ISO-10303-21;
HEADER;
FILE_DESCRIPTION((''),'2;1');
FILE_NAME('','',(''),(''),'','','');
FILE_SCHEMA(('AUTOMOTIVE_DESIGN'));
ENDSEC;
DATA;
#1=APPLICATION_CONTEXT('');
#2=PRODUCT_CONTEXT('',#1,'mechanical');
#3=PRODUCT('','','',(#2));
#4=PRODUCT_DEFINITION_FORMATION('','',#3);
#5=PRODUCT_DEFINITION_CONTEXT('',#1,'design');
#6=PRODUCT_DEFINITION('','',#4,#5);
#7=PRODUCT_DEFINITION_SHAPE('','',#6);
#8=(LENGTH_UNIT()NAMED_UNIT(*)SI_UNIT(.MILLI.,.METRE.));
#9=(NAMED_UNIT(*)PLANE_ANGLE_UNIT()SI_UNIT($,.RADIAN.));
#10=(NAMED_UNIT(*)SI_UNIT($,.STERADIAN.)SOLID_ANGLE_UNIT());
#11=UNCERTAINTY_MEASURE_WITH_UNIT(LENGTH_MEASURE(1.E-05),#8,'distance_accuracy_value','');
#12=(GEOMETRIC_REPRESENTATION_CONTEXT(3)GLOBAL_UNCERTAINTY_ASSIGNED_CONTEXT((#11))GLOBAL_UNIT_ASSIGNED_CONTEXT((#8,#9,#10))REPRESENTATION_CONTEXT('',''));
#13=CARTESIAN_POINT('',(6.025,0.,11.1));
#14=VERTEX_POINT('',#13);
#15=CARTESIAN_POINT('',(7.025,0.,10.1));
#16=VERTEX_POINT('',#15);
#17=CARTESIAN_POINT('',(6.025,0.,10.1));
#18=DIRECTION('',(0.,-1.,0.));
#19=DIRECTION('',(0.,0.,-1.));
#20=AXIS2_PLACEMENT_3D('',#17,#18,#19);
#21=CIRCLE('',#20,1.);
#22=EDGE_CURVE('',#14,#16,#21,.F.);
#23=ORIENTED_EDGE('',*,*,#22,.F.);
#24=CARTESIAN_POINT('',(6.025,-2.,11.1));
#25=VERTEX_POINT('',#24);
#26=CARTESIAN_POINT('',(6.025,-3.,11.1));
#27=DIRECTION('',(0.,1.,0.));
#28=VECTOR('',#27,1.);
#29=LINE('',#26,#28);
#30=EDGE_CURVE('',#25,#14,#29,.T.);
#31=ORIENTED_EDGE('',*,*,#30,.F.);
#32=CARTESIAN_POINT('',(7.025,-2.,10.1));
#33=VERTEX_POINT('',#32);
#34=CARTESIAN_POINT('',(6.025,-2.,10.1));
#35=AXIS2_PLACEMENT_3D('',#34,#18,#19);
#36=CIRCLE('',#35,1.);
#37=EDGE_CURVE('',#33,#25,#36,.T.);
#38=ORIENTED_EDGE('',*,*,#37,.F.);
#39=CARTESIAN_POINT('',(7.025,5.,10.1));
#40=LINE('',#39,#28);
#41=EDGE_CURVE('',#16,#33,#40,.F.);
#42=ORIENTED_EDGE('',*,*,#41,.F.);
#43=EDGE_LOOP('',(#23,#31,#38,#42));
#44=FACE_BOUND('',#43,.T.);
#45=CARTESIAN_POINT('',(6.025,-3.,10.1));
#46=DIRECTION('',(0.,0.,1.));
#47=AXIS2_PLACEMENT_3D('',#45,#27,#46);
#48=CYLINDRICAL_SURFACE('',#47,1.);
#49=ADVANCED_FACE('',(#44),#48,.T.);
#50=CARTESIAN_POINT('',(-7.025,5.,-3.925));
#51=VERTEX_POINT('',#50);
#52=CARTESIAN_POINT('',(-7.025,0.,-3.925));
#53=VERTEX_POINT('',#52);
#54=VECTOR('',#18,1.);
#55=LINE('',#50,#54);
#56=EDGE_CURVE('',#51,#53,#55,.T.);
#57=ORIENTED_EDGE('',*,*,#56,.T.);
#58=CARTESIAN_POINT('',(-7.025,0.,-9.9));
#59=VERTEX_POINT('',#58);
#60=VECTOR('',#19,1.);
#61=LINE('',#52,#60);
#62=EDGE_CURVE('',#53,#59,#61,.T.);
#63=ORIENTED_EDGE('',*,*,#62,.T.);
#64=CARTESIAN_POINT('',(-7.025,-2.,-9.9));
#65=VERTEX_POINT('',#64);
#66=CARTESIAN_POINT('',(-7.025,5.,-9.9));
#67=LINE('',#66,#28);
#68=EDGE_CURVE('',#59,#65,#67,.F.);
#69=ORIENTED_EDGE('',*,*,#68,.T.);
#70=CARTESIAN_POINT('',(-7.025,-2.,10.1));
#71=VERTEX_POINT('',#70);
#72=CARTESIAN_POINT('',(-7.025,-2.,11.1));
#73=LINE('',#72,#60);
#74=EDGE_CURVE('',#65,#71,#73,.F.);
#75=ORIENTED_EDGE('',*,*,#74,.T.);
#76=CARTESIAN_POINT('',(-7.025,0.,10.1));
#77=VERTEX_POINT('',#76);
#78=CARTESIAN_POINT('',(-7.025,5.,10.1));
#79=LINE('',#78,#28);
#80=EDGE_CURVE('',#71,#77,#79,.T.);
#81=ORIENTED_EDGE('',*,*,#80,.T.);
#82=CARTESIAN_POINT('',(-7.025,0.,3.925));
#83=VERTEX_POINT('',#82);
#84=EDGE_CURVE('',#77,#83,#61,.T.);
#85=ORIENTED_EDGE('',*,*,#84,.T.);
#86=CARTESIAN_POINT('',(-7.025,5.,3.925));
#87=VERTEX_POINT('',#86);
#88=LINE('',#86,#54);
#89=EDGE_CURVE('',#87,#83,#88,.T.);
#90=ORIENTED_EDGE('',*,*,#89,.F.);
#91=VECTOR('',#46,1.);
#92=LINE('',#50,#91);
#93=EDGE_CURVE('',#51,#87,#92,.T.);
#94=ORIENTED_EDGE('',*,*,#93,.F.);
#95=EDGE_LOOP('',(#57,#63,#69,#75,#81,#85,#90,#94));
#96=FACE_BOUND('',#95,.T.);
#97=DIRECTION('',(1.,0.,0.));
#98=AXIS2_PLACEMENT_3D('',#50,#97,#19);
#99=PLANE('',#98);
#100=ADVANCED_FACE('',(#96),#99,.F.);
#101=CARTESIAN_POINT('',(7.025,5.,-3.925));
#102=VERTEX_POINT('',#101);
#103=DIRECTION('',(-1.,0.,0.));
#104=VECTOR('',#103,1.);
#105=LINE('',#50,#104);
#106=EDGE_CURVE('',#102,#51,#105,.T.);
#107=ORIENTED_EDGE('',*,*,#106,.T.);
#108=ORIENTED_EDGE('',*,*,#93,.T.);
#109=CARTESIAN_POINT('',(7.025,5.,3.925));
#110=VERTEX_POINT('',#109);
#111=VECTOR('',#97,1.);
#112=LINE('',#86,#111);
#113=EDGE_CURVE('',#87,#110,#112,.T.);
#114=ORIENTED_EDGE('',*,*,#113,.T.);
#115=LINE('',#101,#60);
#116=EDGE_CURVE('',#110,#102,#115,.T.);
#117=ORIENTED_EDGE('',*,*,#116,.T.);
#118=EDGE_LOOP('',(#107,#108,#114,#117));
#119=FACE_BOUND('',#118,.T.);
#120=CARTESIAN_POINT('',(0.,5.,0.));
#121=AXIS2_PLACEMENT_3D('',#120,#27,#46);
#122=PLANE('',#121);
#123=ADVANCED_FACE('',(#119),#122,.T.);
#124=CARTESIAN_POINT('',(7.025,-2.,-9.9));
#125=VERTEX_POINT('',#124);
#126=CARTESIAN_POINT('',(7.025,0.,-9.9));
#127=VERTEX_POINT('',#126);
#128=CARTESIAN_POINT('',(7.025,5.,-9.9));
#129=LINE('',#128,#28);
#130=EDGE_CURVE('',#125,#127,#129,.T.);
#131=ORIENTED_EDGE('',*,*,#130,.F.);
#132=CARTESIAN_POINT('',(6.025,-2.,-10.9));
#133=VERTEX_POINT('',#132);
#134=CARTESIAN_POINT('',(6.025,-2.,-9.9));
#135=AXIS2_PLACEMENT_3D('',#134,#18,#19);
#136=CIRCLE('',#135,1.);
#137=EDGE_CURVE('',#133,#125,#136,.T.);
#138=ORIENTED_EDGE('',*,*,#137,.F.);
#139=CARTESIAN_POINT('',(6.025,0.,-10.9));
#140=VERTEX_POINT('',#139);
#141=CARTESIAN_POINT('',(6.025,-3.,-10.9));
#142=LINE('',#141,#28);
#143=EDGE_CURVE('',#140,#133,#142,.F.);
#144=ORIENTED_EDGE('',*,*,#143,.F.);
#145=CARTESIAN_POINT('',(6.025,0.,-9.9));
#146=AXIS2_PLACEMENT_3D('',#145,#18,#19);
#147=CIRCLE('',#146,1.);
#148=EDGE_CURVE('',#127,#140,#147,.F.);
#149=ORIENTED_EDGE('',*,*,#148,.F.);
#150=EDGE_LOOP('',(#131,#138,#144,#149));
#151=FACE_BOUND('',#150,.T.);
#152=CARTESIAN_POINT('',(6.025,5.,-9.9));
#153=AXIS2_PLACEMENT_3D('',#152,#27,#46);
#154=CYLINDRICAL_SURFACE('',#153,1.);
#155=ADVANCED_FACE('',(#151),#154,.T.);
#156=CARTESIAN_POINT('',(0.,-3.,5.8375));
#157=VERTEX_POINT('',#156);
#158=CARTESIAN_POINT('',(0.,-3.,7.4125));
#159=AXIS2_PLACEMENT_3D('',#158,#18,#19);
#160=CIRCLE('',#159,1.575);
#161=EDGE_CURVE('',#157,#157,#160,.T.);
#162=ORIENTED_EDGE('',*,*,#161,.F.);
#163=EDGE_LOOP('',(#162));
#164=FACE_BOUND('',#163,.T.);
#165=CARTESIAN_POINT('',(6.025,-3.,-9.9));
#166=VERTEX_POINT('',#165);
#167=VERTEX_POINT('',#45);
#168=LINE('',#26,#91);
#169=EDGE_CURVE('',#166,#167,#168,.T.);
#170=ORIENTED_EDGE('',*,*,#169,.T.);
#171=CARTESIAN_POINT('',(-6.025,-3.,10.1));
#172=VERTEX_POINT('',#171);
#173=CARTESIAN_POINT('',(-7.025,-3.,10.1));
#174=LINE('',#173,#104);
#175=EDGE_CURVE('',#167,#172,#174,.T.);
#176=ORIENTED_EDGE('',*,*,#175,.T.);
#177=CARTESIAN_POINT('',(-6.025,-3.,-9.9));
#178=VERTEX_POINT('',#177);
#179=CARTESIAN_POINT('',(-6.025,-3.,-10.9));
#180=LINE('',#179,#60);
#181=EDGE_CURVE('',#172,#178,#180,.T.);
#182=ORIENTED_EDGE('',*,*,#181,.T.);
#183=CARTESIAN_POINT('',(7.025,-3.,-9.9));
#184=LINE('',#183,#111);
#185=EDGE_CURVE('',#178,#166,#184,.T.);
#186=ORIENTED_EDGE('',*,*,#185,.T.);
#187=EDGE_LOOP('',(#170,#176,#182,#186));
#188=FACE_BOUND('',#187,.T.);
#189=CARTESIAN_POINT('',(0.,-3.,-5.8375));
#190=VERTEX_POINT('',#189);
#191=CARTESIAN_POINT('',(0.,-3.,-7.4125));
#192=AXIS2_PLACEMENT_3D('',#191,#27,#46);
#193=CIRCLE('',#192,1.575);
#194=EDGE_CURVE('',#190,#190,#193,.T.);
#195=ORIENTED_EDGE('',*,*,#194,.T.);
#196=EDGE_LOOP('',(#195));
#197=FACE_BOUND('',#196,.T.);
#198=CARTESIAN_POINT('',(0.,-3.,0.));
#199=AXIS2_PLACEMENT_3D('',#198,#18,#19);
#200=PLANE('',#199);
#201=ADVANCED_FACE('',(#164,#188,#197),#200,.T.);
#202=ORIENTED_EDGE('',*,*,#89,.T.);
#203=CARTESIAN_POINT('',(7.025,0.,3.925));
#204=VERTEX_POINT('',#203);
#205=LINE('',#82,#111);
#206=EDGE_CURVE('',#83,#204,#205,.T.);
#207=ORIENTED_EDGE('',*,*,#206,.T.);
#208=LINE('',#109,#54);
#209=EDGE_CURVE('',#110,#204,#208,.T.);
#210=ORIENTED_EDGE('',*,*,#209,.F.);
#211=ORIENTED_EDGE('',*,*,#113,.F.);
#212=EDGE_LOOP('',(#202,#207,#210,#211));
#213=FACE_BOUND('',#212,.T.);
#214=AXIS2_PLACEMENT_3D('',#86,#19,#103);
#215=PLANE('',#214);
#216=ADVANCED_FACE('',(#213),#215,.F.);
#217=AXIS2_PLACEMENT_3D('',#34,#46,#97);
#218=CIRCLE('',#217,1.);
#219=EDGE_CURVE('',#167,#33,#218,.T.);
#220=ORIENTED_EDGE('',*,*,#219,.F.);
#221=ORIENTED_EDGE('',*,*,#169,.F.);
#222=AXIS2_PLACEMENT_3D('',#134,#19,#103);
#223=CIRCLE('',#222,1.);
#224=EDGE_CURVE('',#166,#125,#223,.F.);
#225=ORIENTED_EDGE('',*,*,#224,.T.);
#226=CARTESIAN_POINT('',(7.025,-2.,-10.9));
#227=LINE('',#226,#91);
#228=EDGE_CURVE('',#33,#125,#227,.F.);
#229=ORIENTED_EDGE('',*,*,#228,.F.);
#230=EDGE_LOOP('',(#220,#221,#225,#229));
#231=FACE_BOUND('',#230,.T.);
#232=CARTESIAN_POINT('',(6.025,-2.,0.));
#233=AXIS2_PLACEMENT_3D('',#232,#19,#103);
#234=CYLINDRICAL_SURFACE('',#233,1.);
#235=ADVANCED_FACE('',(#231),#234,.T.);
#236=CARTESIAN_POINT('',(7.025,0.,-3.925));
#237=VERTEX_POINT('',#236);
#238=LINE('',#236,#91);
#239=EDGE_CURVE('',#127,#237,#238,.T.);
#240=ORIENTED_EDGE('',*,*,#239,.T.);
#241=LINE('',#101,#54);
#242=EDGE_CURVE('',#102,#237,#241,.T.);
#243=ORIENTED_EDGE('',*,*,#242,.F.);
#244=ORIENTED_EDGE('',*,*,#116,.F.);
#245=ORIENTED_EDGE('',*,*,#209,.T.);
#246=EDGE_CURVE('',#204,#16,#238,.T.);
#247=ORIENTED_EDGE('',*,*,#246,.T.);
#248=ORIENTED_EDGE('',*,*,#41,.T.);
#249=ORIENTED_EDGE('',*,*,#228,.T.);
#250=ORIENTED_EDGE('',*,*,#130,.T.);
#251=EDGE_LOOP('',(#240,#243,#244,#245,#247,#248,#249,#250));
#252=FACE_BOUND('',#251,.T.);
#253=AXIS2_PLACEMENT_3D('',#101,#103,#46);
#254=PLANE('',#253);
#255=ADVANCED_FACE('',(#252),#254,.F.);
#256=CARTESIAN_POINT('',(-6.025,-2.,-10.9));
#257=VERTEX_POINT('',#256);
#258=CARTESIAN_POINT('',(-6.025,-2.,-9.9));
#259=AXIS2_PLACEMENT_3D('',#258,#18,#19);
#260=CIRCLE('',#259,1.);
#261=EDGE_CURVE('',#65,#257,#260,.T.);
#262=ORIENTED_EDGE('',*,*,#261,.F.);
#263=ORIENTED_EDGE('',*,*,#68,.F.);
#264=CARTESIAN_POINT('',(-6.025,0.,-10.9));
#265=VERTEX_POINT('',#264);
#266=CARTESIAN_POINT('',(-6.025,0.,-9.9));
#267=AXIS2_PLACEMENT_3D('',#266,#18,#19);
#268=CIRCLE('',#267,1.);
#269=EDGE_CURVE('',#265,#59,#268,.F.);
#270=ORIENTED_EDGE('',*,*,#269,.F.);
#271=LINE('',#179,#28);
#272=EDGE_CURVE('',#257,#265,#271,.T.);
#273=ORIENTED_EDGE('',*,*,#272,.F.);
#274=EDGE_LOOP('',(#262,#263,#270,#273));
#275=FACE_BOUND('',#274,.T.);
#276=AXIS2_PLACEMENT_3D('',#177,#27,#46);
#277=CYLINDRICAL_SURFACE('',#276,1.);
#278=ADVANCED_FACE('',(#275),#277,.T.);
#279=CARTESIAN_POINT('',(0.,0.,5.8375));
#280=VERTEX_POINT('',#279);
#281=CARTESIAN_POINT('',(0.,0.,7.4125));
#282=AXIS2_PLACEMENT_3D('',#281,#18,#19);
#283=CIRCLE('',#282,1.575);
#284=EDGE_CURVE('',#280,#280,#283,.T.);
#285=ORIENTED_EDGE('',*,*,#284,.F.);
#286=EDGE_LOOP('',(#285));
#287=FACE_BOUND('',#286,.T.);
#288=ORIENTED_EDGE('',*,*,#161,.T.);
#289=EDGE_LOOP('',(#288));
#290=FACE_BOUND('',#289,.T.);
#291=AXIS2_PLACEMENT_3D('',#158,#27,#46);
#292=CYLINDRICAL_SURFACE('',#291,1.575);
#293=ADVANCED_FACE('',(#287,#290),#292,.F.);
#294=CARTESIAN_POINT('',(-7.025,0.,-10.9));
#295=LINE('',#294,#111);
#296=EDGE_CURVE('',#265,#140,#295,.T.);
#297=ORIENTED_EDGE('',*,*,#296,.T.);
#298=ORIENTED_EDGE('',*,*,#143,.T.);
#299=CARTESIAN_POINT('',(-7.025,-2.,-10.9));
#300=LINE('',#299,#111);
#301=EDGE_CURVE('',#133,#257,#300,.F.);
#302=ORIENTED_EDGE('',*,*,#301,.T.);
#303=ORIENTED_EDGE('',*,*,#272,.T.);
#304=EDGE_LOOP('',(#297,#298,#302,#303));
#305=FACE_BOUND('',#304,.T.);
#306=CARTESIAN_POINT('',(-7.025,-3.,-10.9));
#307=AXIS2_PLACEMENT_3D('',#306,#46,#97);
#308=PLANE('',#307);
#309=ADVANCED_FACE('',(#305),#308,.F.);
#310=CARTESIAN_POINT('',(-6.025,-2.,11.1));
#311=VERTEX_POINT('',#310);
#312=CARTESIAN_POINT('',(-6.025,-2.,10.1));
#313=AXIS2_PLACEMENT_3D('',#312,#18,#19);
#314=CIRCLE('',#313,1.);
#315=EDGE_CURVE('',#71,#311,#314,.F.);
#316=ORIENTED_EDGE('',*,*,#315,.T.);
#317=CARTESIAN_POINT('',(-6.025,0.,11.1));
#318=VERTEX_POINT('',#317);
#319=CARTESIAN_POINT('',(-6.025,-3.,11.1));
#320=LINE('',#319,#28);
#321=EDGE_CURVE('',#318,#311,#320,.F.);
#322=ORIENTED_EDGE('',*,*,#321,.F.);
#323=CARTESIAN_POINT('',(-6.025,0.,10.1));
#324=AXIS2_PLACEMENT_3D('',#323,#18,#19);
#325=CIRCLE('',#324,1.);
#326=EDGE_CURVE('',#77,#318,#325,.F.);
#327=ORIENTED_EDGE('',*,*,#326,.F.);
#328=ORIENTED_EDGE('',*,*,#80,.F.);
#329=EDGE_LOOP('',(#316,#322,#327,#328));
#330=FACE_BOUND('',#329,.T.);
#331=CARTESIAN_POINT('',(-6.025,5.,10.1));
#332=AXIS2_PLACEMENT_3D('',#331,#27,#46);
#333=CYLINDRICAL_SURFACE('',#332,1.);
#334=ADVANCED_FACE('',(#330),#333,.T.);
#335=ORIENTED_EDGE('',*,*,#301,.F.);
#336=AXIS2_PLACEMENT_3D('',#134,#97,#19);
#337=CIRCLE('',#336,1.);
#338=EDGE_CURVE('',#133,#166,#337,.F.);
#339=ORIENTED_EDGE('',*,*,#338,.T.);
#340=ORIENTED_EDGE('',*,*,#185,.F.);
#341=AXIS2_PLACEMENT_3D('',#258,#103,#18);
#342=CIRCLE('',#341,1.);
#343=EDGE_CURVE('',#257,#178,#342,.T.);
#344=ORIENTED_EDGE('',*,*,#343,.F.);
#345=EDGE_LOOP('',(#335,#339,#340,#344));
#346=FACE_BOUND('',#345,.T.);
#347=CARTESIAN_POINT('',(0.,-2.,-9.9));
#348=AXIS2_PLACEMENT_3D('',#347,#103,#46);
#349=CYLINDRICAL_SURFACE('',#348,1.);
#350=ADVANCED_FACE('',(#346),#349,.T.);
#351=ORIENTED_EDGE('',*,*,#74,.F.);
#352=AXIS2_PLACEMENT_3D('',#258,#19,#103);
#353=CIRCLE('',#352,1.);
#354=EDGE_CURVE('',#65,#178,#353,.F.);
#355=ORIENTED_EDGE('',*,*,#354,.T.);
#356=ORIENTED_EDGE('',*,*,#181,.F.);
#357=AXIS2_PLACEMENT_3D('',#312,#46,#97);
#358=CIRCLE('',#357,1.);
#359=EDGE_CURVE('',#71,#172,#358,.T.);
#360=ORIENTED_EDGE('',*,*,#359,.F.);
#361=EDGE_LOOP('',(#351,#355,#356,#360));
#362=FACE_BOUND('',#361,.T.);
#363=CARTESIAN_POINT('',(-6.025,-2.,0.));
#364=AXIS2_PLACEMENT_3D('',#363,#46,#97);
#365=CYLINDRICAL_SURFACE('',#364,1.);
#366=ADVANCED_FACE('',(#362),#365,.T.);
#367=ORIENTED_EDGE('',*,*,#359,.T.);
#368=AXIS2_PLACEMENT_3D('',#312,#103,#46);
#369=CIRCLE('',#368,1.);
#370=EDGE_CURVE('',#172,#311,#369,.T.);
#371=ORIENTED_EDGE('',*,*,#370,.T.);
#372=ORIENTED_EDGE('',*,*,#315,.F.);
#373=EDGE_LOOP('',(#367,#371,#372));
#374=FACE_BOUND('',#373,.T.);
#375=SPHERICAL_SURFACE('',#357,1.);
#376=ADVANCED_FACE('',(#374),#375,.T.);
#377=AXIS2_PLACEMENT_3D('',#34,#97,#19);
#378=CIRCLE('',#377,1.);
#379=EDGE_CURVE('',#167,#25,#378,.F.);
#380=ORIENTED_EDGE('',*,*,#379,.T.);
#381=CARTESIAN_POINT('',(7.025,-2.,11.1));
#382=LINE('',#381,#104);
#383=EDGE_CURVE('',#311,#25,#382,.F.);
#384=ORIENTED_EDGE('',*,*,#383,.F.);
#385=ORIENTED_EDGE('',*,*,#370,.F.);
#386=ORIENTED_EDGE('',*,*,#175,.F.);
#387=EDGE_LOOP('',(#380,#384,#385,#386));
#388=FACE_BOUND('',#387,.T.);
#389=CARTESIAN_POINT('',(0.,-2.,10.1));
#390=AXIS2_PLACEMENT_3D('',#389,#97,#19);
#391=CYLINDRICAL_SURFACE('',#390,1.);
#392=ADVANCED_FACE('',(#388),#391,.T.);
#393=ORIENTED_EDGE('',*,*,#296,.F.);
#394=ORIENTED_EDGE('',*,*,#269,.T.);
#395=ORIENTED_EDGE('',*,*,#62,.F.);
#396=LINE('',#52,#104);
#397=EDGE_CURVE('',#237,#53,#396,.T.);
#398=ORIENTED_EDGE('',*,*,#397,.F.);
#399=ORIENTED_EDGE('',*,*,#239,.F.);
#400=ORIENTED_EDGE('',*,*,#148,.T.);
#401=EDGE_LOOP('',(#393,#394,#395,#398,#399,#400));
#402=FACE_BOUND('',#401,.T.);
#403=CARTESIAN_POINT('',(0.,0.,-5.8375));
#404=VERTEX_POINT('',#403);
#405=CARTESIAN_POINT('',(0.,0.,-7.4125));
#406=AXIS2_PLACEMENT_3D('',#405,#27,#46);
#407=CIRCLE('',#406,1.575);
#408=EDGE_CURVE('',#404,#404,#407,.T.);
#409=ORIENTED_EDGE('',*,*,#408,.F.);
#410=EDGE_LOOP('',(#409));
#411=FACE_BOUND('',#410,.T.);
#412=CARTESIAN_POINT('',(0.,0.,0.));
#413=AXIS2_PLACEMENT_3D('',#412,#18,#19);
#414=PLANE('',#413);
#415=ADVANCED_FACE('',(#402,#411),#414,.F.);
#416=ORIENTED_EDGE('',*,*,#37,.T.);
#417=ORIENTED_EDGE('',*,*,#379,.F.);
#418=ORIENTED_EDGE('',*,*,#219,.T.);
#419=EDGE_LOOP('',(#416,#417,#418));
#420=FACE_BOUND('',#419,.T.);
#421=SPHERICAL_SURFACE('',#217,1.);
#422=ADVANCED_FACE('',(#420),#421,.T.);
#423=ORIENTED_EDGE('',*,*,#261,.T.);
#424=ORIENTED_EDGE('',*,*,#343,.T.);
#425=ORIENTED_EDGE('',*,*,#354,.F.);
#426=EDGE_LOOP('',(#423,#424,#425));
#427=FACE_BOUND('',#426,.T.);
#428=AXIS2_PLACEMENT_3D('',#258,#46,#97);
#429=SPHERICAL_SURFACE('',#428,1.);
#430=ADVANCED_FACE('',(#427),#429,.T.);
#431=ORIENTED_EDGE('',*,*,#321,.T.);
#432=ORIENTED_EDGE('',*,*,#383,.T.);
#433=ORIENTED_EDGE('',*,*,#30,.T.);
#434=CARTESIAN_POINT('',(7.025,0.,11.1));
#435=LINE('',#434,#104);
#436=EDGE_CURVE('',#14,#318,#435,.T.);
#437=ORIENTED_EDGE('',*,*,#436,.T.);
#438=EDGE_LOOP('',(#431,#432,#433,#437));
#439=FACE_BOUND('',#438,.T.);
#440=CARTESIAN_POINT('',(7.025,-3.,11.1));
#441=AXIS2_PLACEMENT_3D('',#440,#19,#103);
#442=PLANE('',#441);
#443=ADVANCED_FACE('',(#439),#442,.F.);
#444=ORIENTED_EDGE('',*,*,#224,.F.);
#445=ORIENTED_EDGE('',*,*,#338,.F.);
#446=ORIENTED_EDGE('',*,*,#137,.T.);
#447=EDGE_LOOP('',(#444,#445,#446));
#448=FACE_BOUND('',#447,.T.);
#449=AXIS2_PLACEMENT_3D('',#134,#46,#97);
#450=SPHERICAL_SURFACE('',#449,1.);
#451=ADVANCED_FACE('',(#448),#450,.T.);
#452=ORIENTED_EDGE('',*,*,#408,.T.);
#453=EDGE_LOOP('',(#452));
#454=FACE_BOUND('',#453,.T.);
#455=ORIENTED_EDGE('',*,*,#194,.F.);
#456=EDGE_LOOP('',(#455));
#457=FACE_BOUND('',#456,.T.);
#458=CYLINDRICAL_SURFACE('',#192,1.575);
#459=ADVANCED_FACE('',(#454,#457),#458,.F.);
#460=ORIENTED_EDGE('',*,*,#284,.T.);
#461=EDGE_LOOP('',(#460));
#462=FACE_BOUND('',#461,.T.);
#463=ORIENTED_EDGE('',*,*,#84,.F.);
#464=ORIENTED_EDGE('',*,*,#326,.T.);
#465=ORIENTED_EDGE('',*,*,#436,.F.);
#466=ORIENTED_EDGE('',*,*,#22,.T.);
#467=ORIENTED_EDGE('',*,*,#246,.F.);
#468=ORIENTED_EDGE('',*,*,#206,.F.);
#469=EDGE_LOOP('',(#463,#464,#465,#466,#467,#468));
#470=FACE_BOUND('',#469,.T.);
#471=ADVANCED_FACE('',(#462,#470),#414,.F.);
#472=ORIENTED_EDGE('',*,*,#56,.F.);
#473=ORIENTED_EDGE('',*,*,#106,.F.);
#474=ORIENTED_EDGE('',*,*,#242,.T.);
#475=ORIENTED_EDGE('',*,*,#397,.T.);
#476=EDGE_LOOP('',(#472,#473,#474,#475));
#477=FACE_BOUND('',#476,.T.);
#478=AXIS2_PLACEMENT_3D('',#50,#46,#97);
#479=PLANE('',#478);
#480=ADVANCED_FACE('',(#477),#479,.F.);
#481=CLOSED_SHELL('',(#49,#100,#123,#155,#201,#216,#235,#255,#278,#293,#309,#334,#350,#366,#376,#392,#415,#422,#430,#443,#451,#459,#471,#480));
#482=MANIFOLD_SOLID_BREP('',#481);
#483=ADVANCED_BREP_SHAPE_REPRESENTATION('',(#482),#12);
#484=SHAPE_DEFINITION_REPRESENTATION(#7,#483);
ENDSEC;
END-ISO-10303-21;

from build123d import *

# Parameters (mm, degrees)
SKETCH_1_W          = 14.05
SKETCH_1_H          = 7.85
EXTRUDE_1_DEPTH     = 5
EXTRUDE_2_DEPTH     = 3
SKETCH_3_R          = 1.575
CUT_EXTRUDE_1_DEPTH = 3
FILLET_2_R          = 1


with BuildPart() as part:
    # 草图1 → 凸台-拉伸1 (new body)
    with BuildSketch(Plane(origin=(0, 0, 0), x_dir=(1, 0, 0), z_dir=(0, 1, 0))):
        Rectangle(SKETCH_1_W, SKETCH_1_H)
    extrude(amount=EXTRUDE_1_DEPTH)

    # 草图2 → 凸台-拉伸2 (add)
    with BuildSketch(Plane(origin=(0, 0, 0), x_dir=(-1, 0, 0), z_dir=(0, -1, 0))):
        Polygon((-7.025, 3.925), (-7.025, 10.9), (7.025, 10.9), (7.025, 3.925), (7.025, -11.1), (-7.025, -11.1), align=None)
    extrude(amount=EXTRUDE_2_DEPTH)

    # 草图3 → 切除-拉伸1 (cut)
    with BuildSketch(Plane(origin=(0, 0, 0), x_dir=(1, 0, 0), z_dir=(0, 1, 0))):
        with Locations(Location((0, 7.4125, 0), (0, 0, 270))):
            Circle(SKETCH_3_R)
    cut_extrude_1 = extrude(amount=-CUT_EXTRUDE_1_DEPTH, mode=Mode.SUBTRACT)

    # 镜向1: 切除-拉伸1 across plane
    add(cut_extrude_1.mirror(Plane.XY), mode=Mode.SUBTRACT)

    # 圆角2
    fillet_2_edges = [part.edges().sort_by_distance(p)[0] for p in [
        (7.025, -1.5, 11.1),
        (-7.025, -1.5, 11.1),
        (-7.025, -1.5, -10.9),
        (7.025, -1.5, -10.9),
        (7.025, -3, 0.1),
        (0, -3, 11.1),
        (-7.025, -3, 0.1),
        (0, -3, -10.9),
    ]]
    fillet(fillet_2_edges, radius=FILLET_2_R)


solid = part.part
